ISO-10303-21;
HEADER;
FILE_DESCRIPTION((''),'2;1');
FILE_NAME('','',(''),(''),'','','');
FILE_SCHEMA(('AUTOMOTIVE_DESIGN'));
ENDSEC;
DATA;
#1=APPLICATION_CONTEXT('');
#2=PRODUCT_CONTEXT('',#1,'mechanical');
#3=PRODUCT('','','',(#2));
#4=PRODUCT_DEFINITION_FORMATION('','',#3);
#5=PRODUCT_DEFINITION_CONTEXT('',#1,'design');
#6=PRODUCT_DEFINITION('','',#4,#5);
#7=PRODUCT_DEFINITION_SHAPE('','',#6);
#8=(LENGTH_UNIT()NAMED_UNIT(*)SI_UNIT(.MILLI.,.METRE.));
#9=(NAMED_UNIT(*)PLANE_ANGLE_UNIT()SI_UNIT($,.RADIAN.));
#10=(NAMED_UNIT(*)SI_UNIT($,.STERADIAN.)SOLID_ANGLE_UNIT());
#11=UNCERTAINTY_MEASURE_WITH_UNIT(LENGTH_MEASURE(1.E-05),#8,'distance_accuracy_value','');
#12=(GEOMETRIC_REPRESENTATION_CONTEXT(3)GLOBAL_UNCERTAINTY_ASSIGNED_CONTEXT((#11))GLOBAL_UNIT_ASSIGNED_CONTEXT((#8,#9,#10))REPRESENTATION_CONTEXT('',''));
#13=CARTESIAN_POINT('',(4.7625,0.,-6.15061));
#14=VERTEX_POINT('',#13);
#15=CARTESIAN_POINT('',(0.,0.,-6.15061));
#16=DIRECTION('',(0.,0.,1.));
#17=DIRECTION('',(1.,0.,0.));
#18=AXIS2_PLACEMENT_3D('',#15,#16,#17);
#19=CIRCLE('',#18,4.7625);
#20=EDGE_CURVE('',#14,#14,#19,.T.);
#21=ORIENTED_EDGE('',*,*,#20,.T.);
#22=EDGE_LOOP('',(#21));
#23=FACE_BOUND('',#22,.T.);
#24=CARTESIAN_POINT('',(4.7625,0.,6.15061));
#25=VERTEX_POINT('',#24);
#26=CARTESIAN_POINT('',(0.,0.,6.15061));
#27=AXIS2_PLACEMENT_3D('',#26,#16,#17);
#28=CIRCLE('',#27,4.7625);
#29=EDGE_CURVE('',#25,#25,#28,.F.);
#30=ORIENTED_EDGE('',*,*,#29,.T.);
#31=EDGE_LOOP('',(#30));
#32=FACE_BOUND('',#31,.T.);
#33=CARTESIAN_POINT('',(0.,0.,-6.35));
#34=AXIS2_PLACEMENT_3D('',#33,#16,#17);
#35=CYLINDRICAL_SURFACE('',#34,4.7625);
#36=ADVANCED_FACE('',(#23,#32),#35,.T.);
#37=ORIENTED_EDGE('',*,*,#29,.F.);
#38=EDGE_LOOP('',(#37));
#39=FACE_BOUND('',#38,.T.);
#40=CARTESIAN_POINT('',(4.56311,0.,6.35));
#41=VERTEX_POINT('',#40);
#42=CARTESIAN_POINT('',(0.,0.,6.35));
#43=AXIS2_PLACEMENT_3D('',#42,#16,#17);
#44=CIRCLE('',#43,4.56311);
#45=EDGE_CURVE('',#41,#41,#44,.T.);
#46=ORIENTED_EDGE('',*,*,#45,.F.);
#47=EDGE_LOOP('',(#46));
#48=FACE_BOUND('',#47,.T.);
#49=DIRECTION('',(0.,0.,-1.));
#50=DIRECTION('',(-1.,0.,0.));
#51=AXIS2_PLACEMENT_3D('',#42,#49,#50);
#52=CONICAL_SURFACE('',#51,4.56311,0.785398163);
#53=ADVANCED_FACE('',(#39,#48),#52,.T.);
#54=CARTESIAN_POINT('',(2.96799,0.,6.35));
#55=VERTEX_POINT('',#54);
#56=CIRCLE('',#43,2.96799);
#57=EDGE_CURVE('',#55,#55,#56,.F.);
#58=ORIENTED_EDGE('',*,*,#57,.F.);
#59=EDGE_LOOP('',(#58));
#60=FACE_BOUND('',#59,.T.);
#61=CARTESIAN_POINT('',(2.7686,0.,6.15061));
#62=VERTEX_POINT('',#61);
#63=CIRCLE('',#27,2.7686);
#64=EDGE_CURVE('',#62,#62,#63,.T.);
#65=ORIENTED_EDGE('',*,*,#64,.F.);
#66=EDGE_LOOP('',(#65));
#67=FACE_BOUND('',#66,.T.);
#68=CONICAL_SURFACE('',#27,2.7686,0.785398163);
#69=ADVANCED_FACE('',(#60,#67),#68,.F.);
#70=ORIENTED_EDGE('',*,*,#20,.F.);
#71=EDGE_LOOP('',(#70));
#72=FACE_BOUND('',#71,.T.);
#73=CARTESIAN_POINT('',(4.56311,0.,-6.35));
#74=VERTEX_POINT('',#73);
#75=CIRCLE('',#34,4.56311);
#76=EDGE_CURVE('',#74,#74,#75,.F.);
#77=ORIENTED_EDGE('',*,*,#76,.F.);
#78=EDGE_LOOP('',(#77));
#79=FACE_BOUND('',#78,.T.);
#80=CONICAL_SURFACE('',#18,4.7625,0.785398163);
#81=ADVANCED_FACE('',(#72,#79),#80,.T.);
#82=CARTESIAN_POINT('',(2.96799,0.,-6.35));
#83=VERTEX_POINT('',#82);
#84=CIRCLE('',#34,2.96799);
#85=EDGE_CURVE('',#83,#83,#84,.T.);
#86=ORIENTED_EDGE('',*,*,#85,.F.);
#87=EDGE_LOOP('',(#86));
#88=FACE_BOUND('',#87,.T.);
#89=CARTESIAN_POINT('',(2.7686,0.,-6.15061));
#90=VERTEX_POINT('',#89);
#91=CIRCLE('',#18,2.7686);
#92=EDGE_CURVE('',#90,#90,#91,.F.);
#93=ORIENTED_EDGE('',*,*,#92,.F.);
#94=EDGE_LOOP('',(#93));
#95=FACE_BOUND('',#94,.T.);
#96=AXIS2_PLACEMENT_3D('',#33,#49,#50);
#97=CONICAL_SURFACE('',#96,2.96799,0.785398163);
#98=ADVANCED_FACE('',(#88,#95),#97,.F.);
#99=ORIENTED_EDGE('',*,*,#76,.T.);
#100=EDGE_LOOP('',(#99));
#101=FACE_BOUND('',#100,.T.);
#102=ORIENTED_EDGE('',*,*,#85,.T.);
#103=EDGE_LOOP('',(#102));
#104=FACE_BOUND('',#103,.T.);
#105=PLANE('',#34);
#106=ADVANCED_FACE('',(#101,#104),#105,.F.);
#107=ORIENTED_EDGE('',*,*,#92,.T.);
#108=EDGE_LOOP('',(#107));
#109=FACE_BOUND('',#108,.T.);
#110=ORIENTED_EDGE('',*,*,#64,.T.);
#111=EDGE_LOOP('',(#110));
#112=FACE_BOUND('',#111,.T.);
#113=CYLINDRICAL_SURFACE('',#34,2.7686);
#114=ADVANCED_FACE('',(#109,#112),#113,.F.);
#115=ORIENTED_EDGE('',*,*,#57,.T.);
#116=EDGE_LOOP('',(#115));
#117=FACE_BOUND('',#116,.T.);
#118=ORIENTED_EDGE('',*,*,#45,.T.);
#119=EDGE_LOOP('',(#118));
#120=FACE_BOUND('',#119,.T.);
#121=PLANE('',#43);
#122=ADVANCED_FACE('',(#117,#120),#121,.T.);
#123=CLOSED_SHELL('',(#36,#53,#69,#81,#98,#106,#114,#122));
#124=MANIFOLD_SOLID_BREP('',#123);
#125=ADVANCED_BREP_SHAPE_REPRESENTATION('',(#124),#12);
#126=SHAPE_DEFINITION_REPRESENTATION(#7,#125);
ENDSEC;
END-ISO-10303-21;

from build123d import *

# Parameters (mm, degrees)
BOSS_EXTRUDE1_DEPTH      = 6.35
BOSS_EXTRUDE1_DEPTH_BACK = 6.35
SKETCH3_R                = 4.7625
SKETCH3_R_2              = 2.7686
CHAMFER1_SIZE            = 0.19939


with BuildPart() as part:
    # Sketch3 → Boss-Extrude1 (new, two sides: drawn at the far end of the back side and taken through both)
    with BuildSketch(Plane.XY.offset(-BOSS_EXTRUDE1_DEPTH_BACK)):
        Circle(SKETCH3_R)
        Circle(SKETCH3_R_2, mode=Mode.SUBTRACT)
    extrude(amount=BOSS_EXTRUDE1_DEPTH + BOSS_EXTRUDE1_DEPTH_BACK)

    # Chamfer1
    chamfer1_edges = [part.edges().sort_by_distance(p)[0] for p in [
        (-4.7625, 0, -6.35),
        (-2.7686, 0, -6.35),
        (-4.7625, 0, 6.35),
        (-2.7686, 0, 6.35),
    ]]
    chamfer(chamfer1_edges, length=CHAMFER1_SIZE)


solid = part.part
